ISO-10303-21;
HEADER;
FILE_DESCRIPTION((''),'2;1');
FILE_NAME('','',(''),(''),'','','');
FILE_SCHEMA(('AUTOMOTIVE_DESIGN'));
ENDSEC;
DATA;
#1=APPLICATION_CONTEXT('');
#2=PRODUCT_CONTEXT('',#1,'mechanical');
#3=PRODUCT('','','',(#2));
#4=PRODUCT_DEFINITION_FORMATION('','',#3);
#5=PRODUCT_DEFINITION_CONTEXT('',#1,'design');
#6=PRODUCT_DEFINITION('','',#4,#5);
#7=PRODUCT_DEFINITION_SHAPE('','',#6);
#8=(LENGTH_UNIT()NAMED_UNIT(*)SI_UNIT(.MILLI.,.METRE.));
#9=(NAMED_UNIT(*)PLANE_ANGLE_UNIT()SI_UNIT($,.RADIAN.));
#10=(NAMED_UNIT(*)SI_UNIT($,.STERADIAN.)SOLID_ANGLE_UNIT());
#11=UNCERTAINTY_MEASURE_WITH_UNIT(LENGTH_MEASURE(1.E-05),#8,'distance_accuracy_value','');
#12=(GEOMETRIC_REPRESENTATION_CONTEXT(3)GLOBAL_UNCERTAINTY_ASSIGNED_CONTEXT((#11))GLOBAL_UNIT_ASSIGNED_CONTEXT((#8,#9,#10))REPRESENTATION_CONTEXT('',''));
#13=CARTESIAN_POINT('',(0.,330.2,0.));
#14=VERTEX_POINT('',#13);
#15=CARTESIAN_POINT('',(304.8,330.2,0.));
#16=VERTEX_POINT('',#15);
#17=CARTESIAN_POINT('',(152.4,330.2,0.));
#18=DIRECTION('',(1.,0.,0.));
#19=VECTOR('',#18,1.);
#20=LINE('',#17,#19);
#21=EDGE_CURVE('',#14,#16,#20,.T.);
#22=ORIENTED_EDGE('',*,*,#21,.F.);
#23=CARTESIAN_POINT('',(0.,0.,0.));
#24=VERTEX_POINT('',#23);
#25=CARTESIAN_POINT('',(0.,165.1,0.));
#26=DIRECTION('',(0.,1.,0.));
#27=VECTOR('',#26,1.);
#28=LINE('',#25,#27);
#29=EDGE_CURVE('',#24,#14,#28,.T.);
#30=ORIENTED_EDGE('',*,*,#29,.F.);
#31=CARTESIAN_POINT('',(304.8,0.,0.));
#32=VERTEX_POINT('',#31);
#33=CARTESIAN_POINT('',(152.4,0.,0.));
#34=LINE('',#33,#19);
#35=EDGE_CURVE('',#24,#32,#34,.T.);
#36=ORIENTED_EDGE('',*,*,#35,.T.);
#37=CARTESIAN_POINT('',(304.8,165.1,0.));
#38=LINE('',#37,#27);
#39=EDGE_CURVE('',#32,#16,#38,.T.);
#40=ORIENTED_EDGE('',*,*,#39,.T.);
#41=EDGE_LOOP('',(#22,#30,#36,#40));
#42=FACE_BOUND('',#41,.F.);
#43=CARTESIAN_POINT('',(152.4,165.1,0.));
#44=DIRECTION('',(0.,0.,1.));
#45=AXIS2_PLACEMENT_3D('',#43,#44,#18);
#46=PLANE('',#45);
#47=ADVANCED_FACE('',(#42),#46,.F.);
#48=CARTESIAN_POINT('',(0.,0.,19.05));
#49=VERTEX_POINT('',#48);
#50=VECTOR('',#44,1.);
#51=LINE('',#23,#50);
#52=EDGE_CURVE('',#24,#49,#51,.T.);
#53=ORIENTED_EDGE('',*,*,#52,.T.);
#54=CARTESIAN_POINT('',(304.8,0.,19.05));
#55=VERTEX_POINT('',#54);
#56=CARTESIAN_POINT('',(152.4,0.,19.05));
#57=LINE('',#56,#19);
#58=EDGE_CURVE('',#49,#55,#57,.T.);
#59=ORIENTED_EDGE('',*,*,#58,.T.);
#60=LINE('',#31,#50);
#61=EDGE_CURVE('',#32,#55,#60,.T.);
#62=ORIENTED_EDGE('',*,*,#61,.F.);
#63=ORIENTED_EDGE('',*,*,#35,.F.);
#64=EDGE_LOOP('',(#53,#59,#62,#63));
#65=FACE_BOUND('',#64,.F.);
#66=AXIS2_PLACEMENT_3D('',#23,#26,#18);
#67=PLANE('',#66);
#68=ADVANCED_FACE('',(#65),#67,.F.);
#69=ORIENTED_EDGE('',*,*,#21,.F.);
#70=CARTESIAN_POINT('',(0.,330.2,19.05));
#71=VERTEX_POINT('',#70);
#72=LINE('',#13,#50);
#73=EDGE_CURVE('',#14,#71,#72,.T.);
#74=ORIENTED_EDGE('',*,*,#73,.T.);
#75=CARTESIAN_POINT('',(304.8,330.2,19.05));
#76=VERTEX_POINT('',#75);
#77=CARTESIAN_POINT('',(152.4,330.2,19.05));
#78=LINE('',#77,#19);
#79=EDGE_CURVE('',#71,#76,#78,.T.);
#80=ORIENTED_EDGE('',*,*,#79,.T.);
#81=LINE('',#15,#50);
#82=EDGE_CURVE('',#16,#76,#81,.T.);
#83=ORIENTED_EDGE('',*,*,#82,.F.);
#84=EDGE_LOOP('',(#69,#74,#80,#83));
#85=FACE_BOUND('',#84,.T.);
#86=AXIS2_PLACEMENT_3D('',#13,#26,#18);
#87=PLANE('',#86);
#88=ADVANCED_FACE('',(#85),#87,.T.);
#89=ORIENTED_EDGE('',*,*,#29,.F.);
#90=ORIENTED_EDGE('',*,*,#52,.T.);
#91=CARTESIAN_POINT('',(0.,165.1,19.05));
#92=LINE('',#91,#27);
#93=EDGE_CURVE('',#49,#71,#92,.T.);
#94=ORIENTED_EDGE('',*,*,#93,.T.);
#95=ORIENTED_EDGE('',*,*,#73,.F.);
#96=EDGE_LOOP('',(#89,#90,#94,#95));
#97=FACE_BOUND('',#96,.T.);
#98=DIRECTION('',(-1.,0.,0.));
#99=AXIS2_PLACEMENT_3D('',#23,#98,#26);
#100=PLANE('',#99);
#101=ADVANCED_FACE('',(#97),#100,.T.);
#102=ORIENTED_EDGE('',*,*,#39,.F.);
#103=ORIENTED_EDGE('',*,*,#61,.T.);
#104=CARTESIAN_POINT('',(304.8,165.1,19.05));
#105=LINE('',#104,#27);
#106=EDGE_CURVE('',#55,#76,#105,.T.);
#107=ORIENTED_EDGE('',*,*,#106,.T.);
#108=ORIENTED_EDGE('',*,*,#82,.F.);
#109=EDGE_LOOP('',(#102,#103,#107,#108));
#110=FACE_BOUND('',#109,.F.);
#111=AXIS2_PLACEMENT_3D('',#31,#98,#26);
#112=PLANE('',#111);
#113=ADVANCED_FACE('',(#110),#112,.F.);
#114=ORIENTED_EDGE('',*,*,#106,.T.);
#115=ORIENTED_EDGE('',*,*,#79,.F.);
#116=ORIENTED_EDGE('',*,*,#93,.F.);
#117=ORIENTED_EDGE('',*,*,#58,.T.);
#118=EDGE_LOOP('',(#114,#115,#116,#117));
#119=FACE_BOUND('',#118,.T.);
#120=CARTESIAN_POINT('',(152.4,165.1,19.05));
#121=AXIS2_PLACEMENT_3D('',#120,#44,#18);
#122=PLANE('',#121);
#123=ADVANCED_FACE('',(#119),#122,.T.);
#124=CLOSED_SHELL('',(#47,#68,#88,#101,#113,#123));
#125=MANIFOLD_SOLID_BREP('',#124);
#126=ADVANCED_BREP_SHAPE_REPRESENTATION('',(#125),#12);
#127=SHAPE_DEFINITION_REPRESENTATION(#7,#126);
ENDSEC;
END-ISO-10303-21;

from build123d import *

# Parameters (mm, degrees)
BOX_W     = 304.8
BOX_H     = 330.2
BOX_DEPTH = 19.05


with BuildPart() as part:
    # Box → Box (new body)
    with BuildSketch(Plane.XY):
        with Locations((152.4, 165.1)):
            Rectangle(BOX_W, BOX_H)
    extrude(amount=BOX_DEPTH)


solid = part.part
